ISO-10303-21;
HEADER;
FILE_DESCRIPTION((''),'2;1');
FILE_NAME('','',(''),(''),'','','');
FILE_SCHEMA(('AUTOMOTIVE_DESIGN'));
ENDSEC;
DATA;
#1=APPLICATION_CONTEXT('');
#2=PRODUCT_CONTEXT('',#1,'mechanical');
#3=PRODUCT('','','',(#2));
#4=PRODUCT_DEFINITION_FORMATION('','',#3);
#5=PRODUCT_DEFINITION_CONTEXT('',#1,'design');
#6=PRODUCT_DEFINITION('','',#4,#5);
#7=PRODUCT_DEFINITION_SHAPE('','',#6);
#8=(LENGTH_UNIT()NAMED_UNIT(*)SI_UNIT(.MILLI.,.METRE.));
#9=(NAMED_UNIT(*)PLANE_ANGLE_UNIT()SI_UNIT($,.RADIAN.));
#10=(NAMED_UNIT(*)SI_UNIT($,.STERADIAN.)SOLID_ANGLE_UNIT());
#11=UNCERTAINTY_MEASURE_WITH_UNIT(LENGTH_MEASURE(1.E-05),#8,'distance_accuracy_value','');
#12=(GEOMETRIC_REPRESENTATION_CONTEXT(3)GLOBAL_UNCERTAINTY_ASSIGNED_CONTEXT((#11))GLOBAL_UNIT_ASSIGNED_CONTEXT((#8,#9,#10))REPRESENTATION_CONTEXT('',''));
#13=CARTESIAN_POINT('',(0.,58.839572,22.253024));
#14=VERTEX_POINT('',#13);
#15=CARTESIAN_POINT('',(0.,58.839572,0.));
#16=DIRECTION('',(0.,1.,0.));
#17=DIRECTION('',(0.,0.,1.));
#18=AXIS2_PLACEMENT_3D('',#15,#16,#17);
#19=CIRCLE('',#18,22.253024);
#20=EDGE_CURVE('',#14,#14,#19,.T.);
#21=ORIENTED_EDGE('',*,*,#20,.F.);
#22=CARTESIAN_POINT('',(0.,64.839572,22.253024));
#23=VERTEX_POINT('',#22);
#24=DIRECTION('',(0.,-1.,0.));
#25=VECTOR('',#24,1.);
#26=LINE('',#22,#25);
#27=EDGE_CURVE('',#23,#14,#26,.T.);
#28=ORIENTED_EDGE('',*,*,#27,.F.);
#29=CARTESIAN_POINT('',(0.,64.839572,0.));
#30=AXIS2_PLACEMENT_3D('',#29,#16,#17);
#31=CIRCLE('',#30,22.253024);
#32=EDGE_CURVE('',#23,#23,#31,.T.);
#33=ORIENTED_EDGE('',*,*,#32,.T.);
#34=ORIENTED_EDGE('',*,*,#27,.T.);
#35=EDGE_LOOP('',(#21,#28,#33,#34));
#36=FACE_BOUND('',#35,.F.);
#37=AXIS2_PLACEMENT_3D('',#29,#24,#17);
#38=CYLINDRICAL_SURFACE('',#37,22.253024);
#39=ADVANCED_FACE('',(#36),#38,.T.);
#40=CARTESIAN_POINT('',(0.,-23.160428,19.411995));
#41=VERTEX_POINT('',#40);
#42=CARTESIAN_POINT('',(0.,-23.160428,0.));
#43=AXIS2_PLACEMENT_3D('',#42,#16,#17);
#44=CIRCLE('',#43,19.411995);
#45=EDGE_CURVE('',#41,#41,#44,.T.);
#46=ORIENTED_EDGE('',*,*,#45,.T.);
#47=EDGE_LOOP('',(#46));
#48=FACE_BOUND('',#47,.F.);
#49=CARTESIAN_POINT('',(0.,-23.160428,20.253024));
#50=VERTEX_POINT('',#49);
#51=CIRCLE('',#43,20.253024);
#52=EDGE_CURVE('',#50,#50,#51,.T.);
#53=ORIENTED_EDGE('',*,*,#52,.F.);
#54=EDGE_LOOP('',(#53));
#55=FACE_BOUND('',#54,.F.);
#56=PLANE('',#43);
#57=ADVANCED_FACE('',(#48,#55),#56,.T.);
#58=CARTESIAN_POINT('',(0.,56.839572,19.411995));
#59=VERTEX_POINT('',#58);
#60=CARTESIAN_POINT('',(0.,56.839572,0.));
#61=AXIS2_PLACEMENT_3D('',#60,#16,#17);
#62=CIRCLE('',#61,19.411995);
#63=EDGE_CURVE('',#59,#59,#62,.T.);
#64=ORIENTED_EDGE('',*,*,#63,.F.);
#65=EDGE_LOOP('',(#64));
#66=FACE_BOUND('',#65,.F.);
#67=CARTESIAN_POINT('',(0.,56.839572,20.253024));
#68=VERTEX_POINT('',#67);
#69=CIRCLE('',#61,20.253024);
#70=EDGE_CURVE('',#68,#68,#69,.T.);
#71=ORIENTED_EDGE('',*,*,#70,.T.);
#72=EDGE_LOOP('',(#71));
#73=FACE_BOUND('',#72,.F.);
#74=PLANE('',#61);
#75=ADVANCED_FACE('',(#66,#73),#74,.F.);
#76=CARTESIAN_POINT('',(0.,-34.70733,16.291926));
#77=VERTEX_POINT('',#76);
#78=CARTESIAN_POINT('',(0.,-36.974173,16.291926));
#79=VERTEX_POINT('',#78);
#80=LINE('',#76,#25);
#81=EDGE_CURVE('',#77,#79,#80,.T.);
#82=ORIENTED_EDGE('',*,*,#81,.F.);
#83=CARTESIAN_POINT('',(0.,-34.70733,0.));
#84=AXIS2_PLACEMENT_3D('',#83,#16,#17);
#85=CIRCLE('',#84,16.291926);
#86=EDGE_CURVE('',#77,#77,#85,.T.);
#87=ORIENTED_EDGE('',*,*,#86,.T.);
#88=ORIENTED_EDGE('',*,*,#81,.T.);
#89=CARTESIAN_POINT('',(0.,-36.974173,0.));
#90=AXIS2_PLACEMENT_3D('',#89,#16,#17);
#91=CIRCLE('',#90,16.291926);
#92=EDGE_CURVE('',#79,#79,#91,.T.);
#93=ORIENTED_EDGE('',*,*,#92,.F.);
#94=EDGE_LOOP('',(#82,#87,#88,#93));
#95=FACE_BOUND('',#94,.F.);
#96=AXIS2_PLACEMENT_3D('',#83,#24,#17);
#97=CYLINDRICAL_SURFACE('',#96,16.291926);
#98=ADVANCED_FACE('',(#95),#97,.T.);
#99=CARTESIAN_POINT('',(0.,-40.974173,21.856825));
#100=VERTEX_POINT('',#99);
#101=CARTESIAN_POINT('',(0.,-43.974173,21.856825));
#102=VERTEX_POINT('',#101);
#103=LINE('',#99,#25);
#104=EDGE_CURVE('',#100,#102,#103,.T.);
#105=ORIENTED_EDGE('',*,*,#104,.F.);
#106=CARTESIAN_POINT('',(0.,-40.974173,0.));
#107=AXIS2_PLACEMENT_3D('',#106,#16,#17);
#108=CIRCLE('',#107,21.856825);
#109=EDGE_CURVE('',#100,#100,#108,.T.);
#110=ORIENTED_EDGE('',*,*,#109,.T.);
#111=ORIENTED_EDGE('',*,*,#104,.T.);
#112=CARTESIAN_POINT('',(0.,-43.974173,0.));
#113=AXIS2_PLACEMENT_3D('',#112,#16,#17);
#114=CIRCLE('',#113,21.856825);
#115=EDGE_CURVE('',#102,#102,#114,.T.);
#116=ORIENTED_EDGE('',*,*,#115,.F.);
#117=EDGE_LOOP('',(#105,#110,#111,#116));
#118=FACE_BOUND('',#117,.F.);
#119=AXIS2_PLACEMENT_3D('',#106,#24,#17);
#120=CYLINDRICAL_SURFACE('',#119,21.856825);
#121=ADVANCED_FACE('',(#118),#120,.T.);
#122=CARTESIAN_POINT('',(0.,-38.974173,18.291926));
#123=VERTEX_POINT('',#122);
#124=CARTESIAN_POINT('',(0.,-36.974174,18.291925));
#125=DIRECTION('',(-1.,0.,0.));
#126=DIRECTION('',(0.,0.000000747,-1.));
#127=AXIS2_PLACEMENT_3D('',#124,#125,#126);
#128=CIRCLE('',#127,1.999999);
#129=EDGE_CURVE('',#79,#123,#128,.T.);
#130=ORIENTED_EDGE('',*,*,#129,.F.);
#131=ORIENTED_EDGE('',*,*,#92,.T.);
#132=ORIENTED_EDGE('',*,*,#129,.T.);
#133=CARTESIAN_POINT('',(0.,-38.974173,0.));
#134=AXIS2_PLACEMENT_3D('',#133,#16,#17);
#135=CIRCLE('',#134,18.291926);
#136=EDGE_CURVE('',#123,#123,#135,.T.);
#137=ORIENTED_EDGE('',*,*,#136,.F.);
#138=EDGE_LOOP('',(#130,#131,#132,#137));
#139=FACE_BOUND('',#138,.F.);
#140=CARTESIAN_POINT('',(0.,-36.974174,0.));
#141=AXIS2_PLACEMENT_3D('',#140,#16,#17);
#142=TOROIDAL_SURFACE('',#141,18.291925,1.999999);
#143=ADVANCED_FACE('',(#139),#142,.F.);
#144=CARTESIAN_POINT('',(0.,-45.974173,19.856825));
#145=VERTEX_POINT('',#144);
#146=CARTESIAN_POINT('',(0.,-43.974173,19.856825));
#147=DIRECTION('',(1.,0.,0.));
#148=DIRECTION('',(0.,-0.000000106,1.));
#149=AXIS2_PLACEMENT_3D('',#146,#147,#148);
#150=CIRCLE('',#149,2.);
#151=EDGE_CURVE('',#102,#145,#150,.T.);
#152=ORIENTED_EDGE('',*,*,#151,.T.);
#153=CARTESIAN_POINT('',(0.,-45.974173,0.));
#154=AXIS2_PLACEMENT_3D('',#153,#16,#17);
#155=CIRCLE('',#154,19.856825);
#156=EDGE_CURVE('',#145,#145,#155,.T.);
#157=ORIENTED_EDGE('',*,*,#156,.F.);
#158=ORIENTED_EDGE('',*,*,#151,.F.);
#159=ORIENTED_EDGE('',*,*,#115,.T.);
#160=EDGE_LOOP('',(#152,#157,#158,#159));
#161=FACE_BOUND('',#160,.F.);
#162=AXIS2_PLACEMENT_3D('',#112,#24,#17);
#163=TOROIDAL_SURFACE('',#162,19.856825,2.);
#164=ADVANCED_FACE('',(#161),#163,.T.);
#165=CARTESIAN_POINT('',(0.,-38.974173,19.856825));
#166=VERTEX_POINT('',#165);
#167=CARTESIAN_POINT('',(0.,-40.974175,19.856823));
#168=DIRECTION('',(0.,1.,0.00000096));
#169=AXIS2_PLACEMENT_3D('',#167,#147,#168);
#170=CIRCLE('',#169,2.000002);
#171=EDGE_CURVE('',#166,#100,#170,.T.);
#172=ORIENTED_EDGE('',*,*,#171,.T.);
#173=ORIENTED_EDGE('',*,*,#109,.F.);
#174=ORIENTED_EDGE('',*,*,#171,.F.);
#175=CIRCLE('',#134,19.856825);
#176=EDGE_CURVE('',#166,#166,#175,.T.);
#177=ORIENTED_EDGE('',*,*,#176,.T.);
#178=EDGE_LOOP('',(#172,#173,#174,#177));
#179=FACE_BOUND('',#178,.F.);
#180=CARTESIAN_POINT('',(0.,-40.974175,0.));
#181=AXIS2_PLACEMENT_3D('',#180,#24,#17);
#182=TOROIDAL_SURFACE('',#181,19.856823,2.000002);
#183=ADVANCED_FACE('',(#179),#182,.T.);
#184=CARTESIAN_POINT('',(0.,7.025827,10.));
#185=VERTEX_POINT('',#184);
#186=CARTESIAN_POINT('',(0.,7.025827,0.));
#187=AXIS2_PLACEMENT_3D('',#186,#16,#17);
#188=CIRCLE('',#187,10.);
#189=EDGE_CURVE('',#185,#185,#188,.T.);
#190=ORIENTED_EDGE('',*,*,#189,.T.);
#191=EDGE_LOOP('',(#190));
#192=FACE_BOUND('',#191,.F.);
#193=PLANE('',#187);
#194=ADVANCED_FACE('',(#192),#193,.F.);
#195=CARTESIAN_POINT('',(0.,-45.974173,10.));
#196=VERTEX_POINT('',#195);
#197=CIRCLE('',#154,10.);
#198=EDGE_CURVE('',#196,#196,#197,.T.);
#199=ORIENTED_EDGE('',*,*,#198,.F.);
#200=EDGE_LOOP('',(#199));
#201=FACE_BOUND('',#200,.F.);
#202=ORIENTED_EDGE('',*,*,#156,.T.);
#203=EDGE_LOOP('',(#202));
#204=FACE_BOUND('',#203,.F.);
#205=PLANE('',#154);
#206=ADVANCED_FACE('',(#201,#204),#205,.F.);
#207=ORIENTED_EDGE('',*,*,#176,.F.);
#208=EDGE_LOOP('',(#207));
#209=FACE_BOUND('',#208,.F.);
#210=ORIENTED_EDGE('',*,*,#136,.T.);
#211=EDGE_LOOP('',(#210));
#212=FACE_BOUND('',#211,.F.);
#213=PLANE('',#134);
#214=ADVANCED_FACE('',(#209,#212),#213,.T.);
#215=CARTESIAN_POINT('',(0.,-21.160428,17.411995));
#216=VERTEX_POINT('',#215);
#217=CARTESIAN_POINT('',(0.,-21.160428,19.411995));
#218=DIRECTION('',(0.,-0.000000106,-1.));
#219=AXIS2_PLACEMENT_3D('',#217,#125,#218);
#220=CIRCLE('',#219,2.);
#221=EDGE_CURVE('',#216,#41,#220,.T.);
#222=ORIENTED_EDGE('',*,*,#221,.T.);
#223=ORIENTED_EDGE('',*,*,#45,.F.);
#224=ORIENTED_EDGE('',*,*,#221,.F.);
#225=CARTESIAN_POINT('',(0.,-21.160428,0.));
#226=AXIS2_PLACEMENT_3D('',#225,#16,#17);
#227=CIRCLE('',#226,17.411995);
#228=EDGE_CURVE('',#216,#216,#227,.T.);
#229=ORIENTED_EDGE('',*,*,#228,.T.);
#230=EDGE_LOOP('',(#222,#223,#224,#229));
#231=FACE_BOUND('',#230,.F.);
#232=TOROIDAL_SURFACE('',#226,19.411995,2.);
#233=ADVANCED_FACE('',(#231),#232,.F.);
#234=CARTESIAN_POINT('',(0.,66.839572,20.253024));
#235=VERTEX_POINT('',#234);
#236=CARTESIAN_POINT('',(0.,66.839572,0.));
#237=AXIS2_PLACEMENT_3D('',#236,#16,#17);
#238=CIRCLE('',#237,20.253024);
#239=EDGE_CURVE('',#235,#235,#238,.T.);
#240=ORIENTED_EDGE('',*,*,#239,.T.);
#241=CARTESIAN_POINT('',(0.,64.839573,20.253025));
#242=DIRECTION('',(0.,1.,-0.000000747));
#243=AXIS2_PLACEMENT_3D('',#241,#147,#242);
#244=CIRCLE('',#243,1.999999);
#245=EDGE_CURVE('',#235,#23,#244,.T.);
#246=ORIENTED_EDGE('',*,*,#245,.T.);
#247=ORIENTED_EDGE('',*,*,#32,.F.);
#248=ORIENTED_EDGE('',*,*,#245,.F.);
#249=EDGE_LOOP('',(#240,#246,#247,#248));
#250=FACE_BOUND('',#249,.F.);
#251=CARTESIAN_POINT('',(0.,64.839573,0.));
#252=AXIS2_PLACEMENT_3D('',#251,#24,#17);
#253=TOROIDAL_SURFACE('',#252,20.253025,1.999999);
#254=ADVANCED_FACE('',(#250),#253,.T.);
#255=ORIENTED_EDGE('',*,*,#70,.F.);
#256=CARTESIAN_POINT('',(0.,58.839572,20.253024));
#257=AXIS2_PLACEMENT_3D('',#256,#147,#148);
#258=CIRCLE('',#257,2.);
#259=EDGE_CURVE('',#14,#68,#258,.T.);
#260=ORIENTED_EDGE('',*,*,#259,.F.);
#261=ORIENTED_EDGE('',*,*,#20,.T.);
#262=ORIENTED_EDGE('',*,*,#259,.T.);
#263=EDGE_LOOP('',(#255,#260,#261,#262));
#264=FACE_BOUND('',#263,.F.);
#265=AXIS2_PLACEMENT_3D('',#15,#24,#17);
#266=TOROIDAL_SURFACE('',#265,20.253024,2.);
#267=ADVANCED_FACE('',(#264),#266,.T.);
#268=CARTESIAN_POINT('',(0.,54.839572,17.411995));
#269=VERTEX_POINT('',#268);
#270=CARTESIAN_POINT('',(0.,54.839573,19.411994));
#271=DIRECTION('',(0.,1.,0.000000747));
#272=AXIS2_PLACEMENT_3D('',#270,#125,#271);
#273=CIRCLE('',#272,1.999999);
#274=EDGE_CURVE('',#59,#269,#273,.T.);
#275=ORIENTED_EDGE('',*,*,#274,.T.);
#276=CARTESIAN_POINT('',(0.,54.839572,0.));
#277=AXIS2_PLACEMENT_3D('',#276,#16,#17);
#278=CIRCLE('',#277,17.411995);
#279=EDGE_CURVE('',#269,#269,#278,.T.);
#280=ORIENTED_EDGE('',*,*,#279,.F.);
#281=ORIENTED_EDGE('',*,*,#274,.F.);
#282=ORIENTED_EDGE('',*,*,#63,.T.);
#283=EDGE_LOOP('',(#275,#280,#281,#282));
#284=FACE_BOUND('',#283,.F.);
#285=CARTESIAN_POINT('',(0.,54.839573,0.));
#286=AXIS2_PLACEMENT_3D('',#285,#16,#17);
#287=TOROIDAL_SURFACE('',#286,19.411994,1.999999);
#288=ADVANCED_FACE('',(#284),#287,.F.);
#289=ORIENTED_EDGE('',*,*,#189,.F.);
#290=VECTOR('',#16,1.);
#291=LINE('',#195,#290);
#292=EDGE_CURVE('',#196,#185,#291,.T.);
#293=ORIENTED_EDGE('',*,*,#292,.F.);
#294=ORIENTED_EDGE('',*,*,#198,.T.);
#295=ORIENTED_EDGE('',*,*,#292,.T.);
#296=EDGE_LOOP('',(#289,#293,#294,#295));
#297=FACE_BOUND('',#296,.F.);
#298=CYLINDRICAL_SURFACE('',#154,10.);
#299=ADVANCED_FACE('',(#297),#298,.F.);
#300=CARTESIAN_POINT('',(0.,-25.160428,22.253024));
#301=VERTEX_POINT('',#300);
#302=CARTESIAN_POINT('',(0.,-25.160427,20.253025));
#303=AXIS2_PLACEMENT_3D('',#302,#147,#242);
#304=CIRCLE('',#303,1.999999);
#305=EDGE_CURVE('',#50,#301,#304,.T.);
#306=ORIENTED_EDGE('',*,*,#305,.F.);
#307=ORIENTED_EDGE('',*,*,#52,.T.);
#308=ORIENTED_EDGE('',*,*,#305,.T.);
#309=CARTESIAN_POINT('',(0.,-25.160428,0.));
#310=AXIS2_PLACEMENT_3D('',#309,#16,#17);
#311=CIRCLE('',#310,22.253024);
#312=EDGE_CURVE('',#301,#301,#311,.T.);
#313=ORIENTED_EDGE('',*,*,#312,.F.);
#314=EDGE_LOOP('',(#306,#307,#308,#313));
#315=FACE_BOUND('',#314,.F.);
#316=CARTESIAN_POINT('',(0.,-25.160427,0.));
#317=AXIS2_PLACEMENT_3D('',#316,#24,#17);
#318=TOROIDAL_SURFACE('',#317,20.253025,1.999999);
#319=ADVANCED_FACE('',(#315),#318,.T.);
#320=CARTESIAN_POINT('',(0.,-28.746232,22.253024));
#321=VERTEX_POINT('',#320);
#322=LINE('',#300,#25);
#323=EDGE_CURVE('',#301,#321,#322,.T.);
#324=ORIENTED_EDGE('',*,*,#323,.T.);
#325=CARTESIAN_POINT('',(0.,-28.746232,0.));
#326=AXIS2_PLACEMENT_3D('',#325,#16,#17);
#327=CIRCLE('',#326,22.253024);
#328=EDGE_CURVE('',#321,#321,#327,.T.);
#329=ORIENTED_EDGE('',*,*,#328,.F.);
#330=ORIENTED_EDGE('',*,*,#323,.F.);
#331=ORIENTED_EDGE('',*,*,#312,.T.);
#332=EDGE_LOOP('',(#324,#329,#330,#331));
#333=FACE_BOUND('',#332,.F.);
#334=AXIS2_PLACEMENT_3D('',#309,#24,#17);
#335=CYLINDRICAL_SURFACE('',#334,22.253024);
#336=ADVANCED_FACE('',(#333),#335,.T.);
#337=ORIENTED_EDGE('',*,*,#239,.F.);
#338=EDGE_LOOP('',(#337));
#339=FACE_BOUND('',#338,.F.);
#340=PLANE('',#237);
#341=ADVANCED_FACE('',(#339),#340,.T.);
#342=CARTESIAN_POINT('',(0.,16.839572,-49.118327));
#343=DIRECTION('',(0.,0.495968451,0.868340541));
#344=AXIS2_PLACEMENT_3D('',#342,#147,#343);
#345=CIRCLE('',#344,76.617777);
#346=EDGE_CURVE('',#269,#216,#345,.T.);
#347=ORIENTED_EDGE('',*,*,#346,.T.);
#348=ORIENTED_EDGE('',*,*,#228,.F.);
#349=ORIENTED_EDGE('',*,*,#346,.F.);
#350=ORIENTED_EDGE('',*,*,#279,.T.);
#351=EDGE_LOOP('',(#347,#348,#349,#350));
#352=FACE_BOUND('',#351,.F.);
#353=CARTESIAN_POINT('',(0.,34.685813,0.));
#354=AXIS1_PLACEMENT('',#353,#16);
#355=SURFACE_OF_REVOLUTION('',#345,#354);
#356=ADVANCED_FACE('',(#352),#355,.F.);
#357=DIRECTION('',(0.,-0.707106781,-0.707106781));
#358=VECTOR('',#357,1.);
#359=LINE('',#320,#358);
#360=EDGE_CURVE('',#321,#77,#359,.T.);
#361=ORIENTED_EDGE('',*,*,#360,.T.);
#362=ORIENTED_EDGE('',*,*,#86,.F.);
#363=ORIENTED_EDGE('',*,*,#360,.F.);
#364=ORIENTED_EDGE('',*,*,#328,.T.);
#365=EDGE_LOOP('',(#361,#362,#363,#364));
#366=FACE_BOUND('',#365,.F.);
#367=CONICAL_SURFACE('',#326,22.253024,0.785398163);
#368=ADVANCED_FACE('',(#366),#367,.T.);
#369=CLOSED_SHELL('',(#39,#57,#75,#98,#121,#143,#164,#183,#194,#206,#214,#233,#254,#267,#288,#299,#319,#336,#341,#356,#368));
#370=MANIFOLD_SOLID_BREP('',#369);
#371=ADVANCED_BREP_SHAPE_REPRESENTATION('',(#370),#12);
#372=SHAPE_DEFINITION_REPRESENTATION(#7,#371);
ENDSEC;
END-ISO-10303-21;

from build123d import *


with BuildPart() as f1:
    # F0 (on Right) → F1 (revolve)
    with BuildSketch(Plane.YZ):
        with BuildLine():
            Line((-45.974173, 19.856825), (-45.974173, 10))
            Line((-45.974173, 10), (7.025827, 10))
            Line((7.025827, 10), (7.025827, 0))
            Line((7.025827, 0), (66.839572, 0))
            Line((66.839572, 0), (66.839572, 20.253024))
            ThreePointArc((66.839572, 20.253024), (66.253786, 21.667238), (64.839572, 22.253024))
            Line((64.839572, 22.253024), (58.839572, 22.253024))
            ThreePointArc((58.839572, 22.253024), (57.425359, 21.667238), (56.839572, 20.253024))
            Line((56.839572, 20.253024), (56.839572, 19.411995))
            ThreePointArc((56.839572, 19.411995), (56.253786, 17.997781), (54.839572, 17.411995))
            ThreePointArc((54.839572, 17.411995), (16.839572, 27.49945), (-21.160428, 17.411995))
            ThreePointArc((-21.160428, 17.411995), (-22.574641, 17.997781), (-23.160428, 19.411995))
            Line((-23.160428, 19.411995), (-23.160428, 20.253024))
            ThreePointArc((-23.160428, 20.253024), (-23.746214, 21.667238), (-25.160428, 22.253024))
            Line((-25.160428, 22.253024), (-28.746232, 22.253024))
            Line((-28.746232, 22.253024), (-34.70733, 16.291926))
            Line((-34.70733, 16.291926), (-36.974173, 16.291926))
            ThreePointArc((-36.974173, 16.291926), (-38.388387, 16.877712), (-38.974173, 18.291926))
            Line((-38.974173, 18.291926), (-38.974173, 19.856825))
            ThreePointArc((-38.974173, 19.856825), (-39.55996, 21.271038), (-40.974173, 21.856825))
            Line((-40.974173, 21.856825), (-43.974173, 21.856825))
            ThreePointArc((-43.974173, 21.856825), (-45.388387, 21.271038), (-45.974173, 19.856825))
        make_face()
    revolve(axis=Axis((0, 34.685813, 0), (0, 1, 0)))


solid = f1.part
